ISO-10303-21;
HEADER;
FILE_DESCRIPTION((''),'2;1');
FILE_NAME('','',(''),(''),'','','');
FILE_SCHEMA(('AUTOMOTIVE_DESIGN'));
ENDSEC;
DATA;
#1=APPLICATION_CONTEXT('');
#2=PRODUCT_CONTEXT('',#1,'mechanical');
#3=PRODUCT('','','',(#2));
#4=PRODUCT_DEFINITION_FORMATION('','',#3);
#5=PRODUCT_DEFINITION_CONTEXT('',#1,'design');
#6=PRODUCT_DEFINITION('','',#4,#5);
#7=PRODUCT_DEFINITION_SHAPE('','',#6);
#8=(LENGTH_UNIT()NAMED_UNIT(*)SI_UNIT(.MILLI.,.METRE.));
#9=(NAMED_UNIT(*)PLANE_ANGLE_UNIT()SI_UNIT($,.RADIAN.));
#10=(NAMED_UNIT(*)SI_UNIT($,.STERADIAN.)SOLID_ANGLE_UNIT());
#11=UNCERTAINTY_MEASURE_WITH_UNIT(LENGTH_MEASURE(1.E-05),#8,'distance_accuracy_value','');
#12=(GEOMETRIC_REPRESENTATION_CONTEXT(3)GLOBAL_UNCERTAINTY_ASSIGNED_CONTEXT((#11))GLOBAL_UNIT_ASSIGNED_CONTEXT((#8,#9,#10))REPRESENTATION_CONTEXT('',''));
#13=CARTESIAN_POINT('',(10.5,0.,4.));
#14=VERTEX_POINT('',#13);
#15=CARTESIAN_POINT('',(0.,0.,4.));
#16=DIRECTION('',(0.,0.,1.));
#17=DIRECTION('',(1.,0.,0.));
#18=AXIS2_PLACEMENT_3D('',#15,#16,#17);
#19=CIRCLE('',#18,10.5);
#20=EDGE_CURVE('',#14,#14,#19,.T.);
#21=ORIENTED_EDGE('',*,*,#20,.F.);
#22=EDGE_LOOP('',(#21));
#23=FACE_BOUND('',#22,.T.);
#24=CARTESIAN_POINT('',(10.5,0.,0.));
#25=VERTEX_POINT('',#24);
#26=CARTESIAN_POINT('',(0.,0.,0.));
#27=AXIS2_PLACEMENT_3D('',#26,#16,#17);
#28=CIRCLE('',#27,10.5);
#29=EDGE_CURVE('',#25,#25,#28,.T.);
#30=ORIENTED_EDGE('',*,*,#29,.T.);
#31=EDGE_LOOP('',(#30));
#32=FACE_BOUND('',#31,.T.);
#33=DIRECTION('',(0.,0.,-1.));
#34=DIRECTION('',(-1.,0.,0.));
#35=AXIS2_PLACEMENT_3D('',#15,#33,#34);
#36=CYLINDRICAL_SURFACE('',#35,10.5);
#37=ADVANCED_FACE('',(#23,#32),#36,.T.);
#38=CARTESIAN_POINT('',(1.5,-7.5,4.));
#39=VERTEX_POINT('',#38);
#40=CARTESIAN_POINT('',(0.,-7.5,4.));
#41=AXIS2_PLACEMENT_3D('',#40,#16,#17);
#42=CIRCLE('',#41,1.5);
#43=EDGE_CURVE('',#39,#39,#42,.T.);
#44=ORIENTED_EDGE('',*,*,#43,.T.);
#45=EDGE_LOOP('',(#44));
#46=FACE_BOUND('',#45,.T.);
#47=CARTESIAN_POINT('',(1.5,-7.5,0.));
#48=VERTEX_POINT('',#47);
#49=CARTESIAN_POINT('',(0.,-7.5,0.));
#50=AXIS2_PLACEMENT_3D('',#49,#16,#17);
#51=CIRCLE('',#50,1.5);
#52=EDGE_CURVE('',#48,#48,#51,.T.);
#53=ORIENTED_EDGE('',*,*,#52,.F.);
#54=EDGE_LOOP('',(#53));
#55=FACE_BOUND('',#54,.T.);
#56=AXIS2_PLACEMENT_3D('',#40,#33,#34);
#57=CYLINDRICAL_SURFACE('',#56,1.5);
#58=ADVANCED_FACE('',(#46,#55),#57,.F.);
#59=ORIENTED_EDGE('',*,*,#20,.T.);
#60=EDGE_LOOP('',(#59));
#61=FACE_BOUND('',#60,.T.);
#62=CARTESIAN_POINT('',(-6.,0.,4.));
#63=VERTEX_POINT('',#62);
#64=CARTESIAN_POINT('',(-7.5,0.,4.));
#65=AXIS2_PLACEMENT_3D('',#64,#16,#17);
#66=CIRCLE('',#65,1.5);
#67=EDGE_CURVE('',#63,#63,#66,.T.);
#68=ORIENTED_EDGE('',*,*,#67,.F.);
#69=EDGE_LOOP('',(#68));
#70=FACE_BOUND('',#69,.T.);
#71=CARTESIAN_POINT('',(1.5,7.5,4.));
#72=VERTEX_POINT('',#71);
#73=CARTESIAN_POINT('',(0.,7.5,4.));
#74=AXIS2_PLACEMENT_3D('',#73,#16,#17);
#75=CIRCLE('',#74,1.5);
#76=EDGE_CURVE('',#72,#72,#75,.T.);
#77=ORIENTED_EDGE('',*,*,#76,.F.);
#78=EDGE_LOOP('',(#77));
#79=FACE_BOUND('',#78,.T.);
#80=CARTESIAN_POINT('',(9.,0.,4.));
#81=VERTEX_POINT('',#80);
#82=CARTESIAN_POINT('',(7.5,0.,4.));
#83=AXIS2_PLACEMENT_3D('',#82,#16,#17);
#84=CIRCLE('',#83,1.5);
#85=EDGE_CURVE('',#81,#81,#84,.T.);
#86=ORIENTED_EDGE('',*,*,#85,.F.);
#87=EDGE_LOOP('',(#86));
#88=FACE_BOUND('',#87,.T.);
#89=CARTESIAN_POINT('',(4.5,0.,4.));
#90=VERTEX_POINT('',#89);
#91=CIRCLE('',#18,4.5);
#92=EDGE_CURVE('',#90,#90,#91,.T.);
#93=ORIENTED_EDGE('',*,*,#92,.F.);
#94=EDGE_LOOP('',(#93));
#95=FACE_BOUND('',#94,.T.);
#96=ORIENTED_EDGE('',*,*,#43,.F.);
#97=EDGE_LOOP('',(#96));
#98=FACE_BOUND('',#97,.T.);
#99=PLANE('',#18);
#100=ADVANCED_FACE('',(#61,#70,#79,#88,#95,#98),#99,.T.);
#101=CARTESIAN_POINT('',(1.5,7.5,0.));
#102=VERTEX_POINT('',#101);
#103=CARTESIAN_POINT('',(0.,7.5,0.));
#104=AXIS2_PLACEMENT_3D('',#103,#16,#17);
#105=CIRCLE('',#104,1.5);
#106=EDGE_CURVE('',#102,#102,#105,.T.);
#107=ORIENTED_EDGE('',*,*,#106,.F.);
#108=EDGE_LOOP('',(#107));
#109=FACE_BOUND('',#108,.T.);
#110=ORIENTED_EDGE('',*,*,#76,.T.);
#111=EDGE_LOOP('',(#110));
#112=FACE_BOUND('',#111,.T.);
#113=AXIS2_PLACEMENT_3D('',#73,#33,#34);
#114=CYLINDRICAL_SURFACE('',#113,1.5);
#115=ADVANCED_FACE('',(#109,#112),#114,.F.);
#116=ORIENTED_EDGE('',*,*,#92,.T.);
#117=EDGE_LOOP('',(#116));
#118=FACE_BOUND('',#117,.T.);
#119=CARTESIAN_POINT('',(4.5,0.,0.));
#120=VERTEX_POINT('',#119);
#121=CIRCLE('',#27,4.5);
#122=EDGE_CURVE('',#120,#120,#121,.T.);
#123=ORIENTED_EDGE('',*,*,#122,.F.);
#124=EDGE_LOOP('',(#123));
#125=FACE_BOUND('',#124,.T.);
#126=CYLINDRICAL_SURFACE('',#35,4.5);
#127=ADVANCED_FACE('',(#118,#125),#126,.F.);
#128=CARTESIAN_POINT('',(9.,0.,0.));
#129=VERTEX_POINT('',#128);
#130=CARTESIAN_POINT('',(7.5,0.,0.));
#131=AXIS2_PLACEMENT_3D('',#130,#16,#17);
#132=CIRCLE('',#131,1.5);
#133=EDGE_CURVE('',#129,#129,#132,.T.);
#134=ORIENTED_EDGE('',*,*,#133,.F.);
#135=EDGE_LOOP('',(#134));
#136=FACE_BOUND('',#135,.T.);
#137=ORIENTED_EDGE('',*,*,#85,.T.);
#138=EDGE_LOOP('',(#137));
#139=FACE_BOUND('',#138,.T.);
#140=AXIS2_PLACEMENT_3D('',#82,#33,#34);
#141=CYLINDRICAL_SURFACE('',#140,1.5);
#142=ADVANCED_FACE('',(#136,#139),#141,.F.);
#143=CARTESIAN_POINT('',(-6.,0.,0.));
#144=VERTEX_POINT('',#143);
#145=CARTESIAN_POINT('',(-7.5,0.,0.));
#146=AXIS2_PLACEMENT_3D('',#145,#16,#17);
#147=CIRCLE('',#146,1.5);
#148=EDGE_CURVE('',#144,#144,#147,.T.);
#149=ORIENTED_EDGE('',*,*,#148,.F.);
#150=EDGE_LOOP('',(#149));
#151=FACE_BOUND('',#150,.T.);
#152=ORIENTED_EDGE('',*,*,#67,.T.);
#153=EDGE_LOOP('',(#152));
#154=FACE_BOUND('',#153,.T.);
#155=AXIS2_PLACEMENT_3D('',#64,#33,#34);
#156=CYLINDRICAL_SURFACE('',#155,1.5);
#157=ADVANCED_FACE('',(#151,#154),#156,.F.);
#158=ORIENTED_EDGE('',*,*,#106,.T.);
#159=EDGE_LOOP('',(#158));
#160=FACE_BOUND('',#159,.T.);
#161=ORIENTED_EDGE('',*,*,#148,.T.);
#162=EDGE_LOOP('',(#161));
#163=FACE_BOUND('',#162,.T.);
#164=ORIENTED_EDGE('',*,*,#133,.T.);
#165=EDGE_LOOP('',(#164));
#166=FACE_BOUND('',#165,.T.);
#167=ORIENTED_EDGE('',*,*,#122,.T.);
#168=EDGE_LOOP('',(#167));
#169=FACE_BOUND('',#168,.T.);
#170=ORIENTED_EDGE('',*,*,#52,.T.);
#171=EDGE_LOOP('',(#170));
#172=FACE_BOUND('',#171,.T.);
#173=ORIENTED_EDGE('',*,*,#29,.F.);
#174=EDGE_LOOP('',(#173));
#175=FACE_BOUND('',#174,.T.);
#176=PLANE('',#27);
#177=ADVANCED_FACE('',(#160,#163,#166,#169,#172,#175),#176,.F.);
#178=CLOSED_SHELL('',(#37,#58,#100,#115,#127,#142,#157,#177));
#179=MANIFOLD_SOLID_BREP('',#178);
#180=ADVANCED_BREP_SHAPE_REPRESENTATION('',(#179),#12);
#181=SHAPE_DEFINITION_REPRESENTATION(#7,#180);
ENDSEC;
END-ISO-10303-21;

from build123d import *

# Parameters (mm, degrees)
MODEL_R             = 10.5
MODEL_R_2           = 1.5
MODEL_R_3           = 4.5
BOSS_EXTRUDE1_DEPTH = 4


with BuildPart() as part:
    # Model → Boss-Extrude1 (new body)
    with BuildSketch(Plane.XY):
        Circle(MODEL_R)
        with Locations((-7.5, 0)):
            Circle(MODEL_R_2, mode=Mode.SUBTRACT)
        with Locations((0, 7.5)):
            Circle(MODEL_R_2, mode=Mode.SUBTRACT)
        with Locations((7.5, 0)):
            Circle(MODEL_R_2, mode=Mode.SUBTRACT)
        with Locations((0, -7.5)):
            Circle(MODEL_R_2, mode=Mode.SUBTRACT)
        Circle(MODEL_R_3, mode=Mode.SUBTRACT)
    extrude(amount=BOSS_EXTRUDE1_DEPTH)


solid = part.part
